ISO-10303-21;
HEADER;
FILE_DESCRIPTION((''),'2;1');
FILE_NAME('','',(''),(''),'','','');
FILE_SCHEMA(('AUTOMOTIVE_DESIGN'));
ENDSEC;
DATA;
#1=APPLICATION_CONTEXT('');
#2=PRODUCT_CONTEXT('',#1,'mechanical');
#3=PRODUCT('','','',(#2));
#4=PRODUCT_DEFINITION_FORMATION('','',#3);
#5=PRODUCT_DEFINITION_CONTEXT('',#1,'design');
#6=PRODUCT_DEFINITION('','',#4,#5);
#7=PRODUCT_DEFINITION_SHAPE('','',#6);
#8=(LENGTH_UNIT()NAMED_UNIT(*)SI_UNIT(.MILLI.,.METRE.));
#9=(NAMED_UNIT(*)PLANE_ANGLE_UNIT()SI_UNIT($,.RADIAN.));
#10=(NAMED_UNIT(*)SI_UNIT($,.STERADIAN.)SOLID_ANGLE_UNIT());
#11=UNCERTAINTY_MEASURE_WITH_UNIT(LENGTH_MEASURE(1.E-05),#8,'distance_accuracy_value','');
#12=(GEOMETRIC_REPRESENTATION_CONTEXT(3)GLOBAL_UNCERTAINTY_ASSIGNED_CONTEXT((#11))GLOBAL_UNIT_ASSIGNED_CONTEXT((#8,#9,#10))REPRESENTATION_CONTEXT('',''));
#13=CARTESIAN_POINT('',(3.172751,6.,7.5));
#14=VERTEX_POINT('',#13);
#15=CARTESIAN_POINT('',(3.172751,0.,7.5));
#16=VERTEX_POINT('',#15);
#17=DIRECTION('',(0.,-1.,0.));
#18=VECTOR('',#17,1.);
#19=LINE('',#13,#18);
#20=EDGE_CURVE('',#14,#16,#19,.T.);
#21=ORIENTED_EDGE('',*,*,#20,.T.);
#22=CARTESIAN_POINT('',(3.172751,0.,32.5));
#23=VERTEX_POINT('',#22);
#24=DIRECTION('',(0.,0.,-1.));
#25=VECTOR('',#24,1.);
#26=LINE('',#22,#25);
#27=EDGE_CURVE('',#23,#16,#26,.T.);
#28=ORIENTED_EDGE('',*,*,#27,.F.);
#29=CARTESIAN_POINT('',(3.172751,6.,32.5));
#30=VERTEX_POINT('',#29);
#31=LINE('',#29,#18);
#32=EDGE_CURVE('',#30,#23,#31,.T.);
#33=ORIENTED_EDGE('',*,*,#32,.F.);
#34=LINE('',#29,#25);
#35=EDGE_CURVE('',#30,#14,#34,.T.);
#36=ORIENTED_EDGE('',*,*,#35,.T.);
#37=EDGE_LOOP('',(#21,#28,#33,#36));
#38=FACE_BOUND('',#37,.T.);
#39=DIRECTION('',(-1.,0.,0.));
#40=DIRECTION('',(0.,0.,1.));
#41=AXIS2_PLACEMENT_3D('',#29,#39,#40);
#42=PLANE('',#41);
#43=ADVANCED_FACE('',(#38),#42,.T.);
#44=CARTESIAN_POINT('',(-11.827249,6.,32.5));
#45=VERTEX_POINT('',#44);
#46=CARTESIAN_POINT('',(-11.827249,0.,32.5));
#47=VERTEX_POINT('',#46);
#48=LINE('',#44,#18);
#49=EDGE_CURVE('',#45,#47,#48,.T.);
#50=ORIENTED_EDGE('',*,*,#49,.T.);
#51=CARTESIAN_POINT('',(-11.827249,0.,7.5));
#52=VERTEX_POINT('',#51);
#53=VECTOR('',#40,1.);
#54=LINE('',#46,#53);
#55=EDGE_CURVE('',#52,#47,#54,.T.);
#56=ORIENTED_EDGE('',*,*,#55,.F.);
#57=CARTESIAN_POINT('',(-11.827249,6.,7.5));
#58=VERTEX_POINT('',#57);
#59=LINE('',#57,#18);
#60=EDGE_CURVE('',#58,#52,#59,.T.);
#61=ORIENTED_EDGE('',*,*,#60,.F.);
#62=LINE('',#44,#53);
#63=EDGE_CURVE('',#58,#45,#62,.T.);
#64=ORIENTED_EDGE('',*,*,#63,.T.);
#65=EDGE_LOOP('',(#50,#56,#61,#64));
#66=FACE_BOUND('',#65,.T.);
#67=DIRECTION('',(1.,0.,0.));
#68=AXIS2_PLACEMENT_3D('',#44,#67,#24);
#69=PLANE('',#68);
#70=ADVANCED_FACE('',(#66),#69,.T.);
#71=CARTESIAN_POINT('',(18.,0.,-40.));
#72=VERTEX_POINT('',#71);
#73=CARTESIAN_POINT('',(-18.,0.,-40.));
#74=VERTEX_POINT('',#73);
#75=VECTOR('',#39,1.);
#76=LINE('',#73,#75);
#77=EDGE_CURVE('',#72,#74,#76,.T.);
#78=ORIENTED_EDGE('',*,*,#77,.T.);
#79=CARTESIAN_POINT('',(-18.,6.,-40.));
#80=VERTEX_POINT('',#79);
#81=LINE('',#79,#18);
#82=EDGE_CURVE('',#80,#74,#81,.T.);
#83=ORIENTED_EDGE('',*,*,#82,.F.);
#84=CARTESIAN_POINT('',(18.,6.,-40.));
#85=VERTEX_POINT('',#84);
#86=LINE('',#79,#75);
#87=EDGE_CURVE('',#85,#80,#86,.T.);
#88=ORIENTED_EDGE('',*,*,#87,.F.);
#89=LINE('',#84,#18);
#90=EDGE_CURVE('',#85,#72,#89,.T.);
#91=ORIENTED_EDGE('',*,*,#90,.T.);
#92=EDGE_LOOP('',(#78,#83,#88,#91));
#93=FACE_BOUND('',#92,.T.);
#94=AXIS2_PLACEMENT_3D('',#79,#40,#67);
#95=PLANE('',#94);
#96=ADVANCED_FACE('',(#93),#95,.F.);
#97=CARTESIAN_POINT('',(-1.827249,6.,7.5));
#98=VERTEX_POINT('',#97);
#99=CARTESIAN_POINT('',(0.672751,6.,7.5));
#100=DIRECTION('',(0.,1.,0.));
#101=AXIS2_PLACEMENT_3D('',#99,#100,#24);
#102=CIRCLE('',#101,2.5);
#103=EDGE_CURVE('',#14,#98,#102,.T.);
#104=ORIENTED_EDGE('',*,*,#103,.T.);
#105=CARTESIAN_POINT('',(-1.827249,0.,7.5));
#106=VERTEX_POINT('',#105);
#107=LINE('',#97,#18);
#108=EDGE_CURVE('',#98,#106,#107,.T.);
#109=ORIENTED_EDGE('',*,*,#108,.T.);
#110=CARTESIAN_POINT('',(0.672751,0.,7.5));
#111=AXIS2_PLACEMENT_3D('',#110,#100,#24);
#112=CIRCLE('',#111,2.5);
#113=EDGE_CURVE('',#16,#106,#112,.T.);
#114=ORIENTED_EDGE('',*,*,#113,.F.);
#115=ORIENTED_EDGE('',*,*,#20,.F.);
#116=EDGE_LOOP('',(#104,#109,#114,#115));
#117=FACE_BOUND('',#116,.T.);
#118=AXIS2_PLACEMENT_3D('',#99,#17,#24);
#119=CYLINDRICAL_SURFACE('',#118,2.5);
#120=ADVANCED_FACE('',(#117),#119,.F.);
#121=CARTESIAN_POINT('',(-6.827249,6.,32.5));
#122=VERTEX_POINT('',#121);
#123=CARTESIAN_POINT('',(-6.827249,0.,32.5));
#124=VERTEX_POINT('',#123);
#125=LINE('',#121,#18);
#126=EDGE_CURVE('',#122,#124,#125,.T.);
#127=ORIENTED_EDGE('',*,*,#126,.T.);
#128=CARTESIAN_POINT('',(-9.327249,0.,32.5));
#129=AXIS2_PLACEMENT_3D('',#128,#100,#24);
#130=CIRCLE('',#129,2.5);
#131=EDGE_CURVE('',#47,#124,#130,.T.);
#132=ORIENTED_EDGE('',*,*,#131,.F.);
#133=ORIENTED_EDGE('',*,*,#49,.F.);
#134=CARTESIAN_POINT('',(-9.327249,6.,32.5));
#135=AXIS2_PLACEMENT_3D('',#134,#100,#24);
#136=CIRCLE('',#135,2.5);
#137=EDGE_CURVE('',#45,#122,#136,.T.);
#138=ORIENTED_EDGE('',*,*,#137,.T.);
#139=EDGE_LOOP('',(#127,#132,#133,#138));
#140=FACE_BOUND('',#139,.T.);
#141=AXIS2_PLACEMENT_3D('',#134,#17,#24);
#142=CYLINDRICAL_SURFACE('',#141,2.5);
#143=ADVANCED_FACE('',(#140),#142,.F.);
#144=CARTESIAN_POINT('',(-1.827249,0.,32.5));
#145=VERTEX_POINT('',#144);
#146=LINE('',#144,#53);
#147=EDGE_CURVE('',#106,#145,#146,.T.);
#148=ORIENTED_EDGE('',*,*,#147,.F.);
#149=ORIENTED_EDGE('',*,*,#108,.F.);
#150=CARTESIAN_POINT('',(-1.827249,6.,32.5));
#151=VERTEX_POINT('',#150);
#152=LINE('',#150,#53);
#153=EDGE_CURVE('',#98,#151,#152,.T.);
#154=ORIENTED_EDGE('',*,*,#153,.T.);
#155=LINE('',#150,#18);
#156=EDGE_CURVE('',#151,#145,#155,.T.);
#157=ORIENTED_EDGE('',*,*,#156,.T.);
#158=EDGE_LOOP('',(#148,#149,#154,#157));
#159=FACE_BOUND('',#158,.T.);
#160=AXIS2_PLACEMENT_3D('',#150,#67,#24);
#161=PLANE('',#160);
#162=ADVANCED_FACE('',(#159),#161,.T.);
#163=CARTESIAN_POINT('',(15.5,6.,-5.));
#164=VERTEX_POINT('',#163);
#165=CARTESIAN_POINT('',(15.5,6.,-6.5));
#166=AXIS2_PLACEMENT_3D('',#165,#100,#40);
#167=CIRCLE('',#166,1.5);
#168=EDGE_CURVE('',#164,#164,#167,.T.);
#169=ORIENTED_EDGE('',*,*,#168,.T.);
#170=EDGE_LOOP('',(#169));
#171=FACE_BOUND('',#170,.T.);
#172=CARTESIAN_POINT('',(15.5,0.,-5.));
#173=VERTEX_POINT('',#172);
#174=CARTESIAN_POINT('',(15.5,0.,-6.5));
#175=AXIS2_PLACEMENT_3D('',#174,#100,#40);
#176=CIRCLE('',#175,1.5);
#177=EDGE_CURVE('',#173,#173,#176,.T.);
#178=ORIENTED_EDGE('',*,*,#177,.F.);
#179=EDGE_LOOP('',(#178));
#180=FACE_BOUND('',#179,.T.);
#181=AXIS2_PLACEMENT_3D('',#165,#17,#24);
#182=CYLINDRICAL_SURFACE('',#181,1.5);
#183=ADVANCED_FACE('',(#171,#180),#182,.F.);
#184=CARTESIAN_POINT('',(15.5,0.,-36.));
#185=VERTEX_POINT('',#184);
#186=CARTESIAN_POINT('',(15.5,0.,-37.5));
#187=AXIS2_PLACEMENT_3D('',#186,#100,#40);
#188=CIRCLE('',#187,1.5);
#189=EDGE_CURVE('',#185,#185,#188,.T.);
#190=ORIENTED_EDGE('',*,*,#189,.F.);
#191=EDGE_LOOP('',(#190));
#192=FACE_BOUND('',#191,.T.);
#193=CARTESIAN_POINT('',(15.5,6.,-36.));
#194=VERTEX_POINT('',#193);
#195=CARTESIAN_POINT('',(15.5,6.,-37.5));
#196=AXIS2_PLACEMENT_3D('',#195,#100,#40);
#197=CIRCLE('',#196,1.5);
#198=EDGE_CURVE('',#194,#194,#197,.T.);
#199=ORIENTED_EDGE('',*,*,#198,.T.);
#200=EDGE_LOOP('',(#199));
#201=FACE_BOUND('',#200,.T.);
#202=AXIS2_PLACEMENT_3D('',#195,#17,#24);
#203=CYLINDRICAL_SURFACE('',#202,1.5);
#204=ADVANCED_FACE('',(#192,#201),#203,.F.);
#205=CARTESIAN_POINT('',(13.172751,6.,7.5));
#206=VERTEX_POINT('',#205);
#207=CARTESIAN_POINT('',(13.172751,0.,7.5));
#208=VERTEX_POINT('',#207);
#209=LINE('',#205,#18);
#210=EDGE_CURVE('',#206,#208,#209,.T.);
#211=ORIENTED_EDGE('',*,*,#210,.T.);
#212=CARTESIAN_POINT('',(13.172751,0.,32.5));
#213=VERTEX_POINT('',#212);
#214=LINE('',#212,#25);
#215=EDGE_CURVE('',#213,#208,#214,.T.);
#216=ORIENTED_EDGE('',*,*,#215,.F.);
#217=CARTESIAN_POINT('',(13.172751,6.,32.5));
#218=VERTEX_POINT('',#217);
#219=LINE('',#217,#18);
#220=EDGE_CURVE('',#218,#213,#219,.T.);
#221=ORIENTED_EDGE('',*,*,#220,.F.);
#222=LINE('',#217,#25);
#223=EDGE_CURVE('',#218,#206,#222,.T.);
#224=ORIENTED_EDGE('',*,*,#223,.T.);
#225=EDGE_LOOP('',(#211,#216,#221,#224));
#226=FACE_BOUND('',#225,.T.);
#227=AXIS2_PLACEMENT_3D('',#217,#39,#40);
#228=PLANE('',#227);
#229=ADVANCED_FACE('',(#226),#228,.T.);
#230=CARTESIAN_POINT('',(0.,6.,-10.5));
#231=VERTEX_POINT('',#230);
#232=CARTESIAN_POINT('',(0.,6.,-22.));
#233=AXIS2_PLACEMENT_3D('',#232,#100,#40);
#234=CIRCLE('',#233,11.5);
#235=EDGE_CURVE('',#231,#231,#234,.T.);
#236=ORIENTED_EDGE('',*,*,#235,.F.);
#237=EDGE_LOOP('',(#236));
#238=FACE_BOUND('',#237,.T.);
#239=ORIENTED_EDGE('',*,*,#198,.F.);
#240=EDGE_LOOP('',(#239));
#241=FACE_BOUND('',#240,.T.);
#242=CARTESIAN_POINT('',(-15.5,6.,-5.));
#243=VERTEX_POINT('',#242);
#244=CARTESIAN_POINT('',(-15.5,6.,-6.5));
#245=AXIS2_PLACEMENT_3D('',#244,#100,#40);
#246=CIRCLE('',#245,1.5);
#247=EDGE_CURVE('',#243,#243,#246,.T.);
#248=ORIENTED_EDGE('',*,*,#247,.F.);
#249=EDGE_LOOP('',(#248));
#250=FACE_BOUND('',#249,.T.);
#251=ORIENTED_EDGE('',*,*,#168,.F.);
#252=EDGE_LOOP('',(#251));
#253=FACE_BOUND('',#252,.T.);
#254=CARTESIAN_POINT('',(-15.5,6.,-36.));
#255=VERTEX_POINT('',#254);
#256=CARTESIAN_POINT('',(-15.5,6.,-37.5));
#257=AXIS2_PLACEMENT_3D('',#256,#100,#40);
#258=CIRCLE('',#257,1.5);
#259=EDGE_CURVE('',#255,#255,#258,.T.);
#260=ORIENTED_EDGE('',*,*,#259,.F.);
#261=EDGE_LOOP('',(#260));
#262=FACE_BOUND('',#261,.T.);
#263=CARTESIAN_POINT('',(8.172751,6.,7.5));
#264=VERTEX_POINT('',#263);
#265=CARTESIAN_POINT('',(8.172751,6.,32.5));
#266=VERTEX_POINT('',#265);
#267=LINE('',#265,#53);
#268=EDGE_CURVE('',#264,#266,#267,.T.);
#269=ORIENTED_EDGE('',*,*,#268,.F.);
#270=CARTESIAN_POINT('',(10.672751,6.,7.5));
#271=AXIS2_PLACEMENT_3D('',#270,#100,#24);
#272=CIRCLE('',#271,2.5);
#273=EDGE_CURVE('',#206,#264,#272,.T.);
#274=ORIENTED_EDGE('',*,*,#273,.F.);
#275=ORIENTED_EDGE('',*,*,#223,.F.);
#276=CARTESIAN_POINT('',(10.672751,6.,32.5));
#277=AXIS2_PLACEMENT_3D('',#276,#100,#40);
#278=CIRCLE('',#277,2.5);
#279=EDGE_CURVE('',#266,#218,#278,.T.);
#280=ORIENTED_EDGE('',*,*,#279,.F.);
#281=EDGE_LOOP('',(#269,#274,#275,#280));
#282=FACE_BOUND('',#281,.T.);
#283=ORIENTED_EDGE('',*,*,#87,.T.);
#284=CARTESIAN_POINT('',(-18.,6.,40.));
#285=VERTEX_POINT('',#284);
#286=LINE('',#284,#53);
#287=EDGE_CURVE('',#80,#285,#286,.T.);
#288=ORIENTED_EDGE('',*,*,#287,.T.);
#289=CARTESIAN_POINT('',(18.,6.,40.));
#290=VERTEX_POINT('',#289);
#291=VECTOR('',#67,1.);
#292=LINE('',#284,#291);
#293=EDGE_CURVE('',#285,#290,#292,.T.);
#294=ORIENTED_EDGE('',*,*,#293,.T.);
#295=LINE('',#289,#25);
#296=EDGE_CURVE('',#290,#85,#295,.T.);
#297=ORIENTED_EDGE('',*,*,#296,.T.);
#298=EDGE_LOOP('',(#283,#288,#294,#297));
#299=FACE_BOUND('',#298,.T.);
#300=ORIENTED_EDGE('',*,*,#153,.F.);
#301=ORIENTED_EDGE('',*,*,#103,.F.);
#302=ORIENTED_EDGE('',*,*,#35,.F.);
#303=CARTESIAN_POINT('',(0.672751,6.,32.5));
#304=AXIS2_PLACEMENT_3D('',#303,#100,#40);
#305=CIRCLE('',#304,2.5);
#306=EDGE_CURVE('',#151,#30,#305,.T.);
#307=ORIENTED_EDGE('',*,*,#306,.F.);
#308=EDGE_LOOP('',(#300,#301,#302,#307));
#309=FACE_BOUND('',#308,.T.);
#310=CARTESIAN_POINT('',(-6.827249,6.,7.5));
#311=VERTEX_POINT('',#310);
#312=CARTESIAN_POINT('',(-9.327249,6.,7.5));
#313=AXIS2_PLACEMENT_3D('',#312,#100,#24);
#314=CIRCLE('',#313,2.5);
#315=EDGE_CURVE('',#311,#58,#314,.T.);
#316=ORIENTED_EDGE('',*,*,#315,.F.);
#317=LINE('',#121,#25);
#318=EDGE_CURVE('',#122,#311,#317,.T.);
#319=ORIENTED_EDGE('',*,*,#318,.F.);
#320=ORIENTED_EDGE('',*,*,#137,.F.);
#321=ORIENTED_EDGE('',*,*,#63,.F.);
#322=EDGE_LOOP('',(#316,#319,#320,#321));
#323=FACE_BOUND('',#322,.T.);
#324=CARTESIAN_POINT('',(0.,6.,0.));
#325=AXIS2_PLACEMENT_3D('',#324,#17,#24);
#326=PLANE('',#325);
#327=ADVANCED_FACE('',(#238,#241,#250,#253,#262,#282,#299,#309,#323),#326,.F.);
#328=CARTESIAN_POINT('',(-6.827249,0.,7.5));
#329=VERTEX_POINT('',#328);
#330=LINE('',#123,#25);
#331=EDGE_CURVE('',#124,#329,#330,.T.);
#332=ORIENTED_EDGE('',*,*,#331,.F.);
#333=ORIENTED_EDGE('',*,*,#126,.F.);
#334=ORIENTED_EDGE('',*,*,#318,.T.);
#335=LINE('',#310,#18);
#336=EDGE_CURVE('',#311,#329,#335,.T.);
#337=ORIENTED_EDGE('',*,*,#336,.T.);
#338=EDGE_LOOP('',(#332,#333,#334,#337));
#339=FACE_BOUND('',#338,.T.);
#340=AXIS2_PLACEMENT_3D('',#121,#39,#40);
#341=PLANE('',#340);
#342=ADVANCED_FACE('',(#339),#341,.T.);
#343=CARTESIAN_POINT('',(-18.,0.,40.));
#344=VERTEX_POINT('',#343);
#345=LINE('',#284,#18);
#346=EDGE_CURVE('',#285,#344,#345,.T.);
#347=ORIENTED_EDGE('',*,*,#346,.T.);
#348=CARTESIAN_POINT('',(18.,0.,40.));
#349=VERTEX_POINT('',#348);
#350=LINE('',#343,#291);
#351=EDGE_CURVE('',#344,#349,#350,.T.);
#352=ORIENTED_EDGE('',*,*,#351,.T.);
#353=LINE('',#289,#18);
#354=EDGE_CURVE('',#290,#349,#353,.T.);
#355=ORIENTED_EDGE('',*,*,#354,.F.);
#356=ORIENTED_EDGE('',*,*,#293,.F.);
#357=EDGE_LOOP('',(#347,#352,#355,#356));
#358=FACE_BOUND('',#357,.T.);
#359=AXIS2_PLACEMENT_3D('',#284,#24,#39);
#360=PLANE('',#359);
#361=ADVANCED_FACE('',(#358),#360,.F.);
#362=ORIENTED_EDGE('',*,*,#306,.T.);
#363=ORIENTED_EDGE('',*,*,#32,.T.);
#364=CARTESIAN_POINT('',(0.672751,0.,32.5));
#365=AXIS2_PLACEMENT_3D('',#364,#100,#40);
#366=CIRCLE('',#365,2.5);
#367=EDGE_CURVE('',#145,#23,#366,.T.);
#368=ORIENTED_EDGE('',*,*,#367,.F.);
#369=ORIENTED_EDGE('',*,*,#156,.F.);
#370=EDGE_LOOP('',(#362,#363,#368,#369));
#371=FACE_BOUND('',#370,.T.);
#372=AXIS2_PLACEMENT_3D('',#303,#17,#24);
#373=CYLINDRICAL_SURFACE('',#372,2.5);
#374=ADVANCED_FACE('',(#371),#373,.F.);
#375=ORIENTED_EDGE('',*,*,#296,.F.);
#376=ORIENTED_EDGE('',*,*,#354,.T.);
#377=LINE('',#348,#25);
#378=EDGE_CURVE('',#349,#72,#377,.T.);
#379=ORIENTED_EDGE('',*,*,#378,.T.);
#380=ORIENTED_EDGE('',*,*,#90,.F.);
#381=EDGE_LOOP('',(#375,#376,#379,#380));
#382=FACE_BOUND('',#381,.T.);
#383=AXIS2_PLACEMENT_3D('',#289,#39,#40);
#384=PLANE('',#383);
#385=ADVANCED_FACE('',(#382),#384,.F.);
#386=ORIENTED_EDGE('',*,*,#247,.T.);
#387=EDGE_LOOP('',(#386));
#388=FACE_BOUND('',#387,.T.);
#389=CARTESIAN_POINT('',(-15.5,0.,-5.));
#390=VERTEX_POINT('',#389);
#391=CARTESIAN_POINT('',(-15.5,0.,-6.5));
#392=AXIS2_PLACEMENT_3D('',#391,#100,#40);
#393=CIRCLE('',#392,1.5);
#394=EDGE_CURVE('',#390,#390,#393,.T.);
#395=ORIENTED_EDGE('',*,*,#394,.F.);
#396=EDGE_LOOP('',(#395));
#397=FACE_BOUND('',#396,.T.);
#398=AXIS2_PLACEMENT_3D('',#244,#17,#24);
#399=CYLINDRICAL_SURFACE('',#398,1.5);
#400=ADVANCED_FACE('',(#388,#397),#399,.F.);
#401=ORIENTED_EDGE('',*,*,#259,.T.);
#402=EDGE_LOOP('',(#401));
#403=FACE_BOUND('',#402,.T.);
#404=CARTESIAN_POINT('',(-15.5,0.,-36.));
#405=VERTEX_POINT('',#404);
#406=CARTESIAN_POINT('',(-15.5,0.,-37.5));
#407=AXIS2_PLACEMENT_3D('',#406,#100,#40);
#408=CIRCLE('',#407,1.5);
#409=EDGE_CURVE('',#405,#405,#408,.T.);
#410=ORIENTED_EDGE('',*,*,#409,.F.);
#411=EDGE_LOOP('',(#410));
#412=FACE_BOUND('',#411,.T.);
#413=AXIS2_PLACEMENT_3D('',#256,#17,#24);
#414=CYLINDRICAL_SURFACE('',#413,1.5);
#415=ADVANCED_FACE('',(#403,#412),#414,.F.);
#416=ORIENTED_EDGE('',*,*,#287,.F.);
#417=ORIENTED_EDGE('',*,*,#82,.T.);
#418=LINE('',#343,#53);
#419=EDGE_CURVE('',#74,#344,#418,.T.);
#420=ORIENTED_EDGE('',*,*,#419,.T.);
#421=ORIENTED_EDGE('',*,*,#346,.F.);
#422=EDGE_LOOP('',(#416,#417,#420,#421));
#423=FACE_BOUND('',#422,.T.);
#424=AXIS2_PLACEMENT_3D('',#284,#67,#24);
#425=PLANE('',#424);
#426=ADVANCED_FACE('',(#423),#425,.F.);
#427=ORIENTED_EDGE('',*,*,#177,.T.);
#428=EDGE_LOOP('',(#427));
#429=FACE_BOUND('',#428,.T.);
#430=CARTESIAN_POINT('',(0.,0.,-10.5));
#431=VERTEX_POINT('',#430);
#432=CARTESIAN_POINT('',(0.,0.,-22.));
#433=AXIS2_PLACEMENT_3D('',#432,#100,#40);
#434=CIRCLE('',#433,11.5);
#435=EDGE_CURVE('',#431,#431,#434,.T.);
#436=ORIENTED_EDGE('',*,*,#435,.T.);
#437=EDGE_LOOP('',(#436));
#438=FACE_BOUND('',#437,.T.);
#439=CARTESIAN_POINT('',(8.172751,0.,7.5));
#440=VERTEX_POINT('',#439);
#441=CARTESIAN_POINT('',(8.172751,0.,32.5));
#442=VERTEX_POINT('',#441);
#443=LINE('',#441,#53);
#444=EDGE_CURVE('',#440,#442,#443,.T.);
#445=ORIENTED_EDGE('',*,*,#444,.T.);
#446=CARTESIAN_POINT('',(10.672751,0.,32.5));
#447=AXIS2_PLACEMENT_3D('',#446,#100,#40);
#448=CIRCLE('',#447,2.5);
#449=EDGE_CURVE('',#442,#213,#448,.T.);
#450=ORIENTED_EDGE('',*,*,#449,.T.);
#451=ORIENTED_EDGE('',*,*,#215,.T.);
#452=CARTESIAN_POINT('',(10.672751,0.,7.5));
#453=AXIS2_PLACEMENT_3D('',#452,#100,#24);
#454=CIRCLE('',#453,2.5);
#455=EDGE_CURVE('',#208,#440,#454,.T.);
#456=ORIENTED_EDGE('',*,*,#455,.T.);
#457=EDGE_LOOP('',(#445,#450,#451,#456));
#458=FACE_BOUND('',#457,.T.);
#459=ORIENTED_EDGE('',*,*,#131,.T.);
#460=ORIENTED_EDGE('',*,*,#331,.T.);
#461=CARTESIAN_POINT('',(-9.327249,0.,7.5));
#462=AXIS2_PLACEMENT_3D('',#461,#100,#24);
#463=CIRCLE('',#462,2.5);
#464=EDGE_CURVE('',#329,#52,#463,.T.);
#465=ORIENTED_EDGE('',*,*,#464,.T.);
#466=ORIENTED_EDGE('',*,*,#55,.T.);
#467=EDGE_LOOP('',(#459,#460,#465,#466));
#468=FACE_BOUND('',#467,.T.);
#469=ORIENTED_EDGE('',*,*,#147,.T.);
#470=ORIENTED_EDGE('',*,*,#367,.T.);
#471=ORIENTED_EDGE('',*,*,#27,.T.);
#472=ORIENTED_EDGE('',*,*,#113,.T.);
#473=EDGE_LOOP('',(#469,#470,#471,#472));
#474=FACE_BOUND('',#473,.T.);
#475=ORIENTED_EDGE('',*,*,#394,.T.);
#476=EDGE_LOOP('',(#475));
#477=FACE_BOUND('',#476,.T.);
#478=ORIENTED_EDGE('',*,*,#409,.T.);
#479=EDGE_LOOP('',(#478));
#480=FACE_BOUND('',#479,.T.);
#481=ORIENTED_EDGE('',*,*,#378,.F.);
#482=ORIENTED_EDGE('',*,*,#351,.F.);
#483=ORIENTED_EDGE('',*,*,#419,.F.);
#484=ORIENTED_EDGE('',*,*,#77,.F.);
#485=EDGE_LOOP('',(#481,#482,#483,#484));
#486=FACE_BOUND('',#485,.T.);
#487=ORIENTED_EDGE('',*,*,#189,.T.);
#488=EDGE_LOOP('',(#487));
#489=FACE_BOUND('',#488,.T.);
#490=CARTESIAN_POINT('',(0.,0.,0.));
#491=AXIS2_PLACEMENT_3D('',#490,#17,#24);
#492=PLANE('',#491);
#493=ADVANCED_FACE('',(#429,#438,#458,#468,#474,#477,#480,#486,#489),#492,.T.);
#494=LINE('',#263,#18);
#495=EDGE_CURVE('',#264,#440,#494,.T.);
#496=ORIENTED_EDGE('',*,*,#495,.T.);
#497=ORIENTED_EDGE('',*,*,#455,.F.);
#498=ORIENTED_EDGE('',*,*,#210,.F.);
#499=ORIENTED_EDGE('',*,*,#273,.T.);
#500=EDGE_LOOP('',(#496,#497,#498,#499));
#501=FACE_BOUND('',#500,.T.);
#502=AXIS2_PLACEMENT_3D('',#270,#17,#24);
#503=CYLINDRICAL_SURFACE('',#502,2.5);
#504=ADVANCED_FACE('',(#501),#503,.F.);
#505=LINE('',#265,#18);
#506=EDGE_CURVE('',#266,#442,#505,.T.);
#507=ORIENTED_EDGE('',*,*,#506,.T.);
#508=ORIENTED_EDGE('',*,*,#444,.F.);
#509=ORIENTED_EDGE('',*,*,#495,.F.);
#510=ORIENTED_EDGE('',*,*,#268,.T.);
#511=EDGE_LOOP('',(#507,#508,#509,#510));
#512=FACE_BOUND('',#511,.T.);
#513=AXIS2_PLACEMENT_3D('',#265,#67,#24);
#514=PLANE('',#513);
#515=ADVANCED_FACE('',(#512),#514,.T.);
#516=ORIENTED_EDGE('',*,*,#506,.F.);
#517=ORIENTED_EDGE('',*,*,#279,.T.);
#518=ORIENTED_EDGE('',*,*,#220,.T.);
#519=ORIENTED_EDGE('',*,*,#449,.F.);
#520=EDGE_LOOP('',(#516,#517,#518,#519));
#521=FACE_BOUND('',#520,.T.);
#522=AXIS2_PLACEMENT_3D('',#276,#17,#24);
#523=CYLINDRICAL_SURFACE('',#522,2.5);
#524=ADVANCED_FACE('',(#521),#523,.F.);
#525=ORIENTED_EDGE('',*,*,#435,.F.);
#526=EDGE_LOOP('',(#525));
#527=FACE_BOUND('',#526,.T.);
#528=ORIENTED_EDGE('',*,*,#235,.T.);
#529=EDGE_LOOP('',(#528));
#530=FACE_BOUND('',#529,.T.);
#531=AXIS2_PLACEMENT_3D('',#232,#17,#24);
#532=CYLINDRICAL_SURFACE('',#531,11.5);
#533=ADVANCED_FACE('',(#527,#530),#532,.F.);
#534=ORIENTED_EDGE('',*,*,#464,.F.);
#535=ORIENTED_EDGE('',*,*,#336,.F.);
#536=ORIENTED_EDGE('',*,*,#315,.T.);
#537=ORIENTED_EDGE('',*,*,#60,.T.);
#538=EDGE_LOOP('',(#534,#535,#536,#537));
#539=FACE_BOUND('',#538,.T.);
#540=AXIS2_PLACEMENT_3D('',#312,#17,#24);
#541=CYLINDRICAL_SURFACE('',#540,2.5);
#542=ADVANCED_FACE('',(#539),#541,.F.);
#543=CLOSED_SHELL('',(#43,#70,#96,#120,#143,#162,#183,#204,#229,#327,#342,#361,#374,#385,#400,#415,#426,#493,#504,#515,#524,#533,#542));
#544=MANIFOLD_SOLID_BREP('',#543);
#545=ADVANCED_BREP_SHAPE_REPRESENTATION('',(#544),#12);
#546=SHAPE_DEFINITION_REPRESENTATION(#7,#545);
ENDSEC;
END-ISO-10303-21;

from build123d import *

# Parameters (mm, degrees)
SKETCH1_W           = 36
SKETCH1_H           = 80
SKETCH1_R           = 11.5
SKETCH1_R_2         = 1.5
BOSS_EXTRUDE1_DEPTH = 6


with BuildPart() as part:
    # Sketch1 → Boss-Extrude1 (new body)
    with BuildSketch(Plane(origin=(0, 0, 0), x_dir=(1, 0, 0), z_dir=(0, 1, 0))):
        Rectangle(SKETCH1_W, SKETCH1_H)
        with Locations((0, 22)):
            Circle(SKETCH1_R, mode=Mode.SUBTRACT)
        with Locations((-15.5, 37.5)):
            Circle(SKETCH1_R_2, mode=Mode.SUBTRACT)
        with Locations((15.5, 37.5)):
            Circle(SKETCH1_R_2, mode=Mode.SUBTRACT)
        with Locations((15.5, 6.5)):
            Circle(SKETCH1_R_2, mode=Mode.SUBTRACT)
        with Locations((-15.5, 6.5)):
            Circle(SKETCH1_R_2, mode=Mode.SUBTRACT)
        with BuildLine():
            Line((-1.827248673, -32.5), (-1.827248673, -7.5))
            ThreePointArc((-1.827248673, -7.5), (0.672751327, -5), (3.172751327, -7.5))
            Line((3.172751327, -7.5), (3.172751327, -32.5))
            ThreePointArc((3.172751327, -32.5), (0.672751327, -35), (-1.827248673, -32.5))
        make_face(mode=Mode.SUBTRACT)
        with BuildLine():
            Line((8.172751327, -32.5), (8.172751327, -7.5))
            ThreePointArc((8.172751327, -7.5), (10.672751327, -5), (13.172751327, -7.5))
            Line((13.172751327, -7.5), (13.172751327, -32.5))
            ThreePointArc((13.172751327, -32.5), (10.672751327, -35), (8.172751327, -32.5))
        make_face(mode=Mode.SUBTRACT)
        with BuildLine():
            Line((-6.827248673, -32.5), (-6.827248673, -7.5))
            ThreePointArc((-6.827248673, -7.5), (-9.327248673, -5), (-11.827248673, -7.5))
            Line((-11.827248673, -7.5), (-11.827248673, -32.5))
            ThreePointArc((-11.827248673, -32.5), (-9.327248673, -35), (-6.827248673, -32.5))
        make_face(mode=Mode.SUBTRACT)
    extrude(amount=BOSS_EXTRUDE1_DEPTH)


solid = part.part
